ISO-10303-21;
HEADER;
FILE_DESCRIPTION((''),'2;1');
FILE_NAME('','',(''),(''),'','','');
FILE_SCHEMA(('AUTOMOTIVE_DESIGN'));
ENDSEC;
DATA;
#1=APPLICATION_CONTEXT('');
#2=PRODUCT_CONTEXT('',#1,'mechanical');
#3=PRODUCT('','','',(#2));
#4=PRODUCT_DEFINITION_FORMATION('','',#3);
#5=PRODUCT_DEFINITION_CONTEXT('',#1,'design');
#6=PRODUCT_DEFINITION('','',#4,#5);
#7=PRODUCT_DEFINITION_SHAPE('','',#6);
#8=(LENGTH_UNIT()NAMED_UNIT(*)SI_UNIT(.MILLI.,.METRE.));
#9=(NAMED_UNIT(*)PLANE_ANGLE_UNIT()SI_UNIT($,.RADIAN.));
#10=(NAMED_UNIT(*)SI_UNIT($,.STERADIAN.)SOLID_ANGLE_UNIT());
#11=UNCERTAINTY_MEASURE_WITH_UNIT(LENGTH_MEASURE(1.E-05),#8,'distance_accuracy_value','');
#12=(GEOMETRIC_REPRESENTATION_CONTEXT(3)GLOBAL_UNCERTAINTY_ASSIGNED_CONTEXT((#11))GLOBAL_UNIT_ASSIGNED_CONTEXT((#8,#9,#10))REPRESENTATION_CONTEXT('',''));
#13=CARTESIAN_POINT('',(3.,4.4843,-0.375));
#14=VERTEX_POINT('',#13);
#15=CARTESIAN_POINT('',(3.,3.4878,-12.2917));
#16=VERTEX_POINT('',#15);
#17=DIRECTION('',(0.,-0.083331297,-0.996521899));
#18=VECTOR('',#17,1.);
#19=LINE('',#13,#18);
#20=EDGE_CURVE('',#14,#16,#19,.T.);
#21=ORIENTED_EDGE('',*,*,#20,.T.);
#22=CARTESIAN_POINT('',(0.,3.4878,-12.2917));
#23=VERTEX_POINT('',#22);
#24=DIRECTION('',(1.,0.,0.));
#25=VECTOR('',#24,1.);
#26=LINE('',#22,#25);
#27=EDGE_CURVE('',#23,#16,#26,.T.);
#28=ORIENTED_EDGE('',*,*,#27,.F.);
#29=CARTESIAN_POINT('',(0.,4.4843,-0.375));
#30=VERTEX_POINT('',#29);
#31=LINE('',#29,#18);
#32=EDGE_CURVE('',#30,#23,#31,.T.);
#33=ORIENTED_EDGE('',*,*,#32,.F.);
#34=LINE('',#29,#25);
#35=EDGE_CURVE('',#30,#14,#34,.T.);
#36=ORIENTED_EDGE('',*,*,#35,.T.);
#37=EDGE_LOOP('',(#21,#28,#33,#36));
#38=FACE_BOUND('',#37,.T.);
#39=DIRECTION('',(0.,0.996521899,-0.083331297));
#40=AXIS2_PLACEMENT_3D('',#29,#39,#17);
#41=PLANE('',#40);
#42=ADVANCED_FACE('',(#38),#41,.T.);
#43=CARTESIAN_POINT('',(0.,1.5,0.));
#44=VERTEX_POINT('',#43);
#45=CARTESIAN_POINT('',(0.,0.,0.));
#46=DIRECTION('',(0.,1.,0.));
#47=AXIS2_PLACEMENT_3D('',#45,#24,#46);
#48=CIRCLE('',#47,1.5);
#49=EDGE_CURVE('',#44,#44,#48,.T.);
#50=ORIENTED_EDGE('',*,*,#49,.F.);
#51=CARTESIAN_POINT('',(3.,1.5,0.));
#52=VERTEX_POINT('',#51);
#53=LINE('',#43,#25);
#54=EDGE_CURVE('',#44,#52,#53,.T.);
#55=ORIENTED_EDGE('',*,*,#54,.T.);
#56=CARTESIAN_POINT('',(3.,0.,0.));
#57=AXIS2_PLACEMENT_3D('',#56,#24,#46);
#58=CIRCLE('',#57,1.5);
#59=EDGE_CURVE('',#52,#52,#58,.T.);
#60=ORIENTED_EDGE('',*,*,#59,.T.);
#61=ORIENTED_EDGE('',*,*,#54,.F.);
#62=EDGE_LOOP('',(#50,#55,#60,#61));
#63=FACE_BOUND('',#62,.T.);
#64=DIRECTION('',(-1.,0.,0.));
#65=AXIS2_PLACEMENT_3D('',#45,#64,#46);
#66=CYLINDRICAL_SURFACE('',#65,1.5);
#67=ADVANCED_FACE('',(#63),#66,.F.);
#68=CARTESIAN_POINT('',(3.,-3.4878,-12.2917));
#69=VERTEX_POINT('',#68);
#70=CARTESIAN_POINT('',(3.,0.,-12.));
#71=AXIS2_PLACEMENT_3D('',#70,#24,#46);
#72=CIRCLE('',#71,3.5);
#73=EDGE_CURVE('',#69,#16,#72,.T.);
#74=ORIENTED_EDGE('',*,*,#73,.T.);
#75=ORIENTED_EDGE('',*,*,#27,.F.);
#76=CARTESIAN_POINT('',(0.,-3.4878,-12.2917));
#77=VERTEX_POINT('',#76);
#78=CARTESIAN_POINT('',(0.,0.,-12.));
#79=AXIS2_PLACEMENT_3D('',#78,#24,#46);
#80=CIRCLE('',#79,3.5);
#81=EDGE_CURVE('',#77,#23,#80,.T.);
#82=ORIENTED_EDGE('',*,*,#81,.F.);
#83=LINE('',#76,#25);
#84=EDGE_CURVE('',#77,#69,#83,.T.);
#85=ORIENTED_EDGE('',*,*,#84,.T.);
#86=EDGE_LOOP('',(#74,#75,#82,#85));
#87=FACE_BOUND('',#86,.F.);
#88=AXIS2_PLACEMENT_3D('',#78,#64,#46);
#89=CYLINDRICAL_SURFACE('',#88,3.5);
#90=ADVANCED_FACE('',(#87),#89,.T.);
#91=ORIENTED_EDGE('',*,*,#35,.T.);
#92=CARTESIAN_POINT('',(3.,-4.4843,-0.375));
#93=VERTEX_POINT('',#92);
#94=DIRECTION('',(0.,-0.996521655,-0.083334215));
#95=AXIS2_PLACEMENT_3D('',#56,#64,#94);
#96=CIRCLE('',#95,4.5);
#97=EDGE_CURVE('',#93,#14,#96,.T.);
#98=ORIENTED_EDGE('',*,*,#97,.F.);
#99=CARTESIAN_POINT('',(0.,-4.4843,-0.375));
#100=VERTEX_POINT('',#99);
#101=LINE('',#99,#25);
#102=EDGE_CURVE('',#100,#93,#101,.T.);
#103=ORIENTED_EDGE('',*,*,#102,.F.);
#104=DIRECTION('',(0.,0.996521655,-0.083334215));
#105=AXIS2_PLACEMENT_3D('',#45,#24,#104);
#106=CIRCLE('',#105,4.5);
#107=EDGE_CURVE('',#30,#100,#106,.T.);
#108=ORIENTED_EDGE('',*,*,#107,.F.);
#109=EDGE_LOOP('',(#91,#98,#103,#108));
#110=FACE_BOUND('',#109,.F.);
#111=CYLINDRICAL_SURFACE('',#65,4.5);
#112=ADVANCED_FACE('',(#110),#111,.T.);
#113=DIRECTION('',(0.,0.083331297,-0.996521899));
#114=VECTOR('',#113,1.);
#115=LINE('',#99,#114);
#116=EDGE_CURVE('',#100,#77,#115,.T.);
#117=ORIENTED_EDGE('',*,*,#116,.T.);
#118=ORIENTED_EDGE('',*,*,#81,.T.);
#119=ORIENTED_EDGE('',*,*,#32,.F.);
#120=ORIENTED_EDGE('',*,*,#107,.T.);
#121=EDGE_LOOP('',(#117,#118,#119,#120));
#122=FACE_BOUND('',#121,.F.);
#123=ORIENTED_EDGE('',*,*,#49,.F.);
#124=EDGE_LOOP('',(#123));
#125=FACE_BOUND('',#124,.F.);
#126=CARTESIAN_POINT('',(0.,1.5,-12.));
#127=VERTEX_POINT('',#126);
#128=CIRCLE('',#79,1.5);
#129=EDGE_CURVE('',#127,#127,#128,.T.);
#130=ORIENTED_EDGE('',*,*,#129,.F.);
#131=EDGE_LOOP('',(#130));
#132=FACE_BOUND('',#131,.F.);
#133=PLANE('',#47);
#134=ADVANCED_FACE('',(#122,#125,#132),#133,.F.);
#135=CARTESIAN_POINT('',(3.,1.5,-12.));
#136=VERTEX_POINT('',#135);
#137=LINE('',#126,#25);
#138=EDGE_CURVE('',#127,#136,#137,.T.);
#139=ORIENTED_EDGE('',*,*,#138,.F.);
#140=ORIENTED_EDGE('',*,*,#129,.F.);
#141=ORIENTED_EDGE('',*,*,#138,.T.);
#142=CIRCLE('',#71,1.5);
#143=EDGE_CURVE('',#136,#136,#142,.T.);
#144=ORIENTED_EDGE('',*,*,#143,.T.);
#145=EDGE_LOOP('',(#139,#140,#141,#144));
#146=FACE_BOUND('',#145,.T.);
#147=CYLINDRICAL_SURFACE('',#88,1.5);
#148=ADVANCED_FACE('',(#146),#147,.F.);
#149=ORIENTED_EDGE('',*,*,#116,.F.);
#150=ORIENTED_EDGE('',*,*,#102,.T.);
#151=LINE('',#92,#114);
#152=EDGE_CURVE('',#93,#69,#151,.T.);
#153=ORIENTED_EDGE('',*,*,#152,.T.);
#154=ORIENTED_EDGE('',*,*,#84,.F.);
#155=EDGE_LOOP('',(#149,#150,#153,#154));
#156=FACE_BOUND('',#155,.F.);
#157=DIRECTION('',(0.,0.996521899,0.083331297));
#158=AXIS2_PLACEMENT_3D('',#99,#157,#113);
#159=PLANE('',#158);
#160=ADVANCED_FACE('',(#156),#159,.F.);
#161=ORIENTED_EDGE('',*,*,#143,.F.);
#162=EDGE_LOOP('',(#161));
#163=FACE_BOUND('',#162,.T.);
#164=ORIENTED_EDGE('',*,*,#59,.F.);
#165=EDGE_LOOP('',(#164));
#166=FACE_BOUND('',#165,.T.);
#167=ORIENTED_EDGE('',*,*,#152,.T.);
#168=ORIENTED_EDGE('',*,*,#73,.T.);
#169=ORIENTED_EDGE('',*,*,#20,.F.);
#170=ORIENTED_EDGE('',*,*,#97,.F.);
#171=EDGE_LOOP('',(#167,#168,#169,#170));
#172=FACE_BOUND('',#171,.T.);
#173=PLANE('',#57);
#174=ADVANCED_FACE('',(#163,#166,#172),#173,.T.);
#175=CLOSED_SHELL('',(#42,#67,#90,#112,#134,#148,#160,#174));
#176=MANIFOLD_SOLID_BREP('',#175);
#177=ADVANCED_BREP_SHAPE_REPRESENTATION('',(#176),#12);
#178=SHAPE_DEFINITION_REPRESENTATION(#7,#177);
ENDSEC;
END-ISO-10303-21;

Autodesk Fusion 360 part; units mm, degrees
sketch "Sketch1" plane through (0, 0, 0) normal (1, 0, 0) x (0, 1, 0)
  circle A0 centre (0, 0) radius 1.5
  circle A1 centre (0, -12) radius 1.5
  circle A2 centre (0, 0) radius 4.5
  circle A3 centre (0, -12) radius 3.5
  line L0 (-4.4843, -0.375) -> (-3.4878, -12.2917)
  line L1 (4.4843, -0.375) -> (3.4878, -12.2917)
  dimension "d1" = 3
  dimension "d2" = 3
  dimension "d3" = 12
  dimension "d4" = 7
  dimension "d5" = 9
extrude "Extrude1" add sketch "Sketch1" along normal blind 3
